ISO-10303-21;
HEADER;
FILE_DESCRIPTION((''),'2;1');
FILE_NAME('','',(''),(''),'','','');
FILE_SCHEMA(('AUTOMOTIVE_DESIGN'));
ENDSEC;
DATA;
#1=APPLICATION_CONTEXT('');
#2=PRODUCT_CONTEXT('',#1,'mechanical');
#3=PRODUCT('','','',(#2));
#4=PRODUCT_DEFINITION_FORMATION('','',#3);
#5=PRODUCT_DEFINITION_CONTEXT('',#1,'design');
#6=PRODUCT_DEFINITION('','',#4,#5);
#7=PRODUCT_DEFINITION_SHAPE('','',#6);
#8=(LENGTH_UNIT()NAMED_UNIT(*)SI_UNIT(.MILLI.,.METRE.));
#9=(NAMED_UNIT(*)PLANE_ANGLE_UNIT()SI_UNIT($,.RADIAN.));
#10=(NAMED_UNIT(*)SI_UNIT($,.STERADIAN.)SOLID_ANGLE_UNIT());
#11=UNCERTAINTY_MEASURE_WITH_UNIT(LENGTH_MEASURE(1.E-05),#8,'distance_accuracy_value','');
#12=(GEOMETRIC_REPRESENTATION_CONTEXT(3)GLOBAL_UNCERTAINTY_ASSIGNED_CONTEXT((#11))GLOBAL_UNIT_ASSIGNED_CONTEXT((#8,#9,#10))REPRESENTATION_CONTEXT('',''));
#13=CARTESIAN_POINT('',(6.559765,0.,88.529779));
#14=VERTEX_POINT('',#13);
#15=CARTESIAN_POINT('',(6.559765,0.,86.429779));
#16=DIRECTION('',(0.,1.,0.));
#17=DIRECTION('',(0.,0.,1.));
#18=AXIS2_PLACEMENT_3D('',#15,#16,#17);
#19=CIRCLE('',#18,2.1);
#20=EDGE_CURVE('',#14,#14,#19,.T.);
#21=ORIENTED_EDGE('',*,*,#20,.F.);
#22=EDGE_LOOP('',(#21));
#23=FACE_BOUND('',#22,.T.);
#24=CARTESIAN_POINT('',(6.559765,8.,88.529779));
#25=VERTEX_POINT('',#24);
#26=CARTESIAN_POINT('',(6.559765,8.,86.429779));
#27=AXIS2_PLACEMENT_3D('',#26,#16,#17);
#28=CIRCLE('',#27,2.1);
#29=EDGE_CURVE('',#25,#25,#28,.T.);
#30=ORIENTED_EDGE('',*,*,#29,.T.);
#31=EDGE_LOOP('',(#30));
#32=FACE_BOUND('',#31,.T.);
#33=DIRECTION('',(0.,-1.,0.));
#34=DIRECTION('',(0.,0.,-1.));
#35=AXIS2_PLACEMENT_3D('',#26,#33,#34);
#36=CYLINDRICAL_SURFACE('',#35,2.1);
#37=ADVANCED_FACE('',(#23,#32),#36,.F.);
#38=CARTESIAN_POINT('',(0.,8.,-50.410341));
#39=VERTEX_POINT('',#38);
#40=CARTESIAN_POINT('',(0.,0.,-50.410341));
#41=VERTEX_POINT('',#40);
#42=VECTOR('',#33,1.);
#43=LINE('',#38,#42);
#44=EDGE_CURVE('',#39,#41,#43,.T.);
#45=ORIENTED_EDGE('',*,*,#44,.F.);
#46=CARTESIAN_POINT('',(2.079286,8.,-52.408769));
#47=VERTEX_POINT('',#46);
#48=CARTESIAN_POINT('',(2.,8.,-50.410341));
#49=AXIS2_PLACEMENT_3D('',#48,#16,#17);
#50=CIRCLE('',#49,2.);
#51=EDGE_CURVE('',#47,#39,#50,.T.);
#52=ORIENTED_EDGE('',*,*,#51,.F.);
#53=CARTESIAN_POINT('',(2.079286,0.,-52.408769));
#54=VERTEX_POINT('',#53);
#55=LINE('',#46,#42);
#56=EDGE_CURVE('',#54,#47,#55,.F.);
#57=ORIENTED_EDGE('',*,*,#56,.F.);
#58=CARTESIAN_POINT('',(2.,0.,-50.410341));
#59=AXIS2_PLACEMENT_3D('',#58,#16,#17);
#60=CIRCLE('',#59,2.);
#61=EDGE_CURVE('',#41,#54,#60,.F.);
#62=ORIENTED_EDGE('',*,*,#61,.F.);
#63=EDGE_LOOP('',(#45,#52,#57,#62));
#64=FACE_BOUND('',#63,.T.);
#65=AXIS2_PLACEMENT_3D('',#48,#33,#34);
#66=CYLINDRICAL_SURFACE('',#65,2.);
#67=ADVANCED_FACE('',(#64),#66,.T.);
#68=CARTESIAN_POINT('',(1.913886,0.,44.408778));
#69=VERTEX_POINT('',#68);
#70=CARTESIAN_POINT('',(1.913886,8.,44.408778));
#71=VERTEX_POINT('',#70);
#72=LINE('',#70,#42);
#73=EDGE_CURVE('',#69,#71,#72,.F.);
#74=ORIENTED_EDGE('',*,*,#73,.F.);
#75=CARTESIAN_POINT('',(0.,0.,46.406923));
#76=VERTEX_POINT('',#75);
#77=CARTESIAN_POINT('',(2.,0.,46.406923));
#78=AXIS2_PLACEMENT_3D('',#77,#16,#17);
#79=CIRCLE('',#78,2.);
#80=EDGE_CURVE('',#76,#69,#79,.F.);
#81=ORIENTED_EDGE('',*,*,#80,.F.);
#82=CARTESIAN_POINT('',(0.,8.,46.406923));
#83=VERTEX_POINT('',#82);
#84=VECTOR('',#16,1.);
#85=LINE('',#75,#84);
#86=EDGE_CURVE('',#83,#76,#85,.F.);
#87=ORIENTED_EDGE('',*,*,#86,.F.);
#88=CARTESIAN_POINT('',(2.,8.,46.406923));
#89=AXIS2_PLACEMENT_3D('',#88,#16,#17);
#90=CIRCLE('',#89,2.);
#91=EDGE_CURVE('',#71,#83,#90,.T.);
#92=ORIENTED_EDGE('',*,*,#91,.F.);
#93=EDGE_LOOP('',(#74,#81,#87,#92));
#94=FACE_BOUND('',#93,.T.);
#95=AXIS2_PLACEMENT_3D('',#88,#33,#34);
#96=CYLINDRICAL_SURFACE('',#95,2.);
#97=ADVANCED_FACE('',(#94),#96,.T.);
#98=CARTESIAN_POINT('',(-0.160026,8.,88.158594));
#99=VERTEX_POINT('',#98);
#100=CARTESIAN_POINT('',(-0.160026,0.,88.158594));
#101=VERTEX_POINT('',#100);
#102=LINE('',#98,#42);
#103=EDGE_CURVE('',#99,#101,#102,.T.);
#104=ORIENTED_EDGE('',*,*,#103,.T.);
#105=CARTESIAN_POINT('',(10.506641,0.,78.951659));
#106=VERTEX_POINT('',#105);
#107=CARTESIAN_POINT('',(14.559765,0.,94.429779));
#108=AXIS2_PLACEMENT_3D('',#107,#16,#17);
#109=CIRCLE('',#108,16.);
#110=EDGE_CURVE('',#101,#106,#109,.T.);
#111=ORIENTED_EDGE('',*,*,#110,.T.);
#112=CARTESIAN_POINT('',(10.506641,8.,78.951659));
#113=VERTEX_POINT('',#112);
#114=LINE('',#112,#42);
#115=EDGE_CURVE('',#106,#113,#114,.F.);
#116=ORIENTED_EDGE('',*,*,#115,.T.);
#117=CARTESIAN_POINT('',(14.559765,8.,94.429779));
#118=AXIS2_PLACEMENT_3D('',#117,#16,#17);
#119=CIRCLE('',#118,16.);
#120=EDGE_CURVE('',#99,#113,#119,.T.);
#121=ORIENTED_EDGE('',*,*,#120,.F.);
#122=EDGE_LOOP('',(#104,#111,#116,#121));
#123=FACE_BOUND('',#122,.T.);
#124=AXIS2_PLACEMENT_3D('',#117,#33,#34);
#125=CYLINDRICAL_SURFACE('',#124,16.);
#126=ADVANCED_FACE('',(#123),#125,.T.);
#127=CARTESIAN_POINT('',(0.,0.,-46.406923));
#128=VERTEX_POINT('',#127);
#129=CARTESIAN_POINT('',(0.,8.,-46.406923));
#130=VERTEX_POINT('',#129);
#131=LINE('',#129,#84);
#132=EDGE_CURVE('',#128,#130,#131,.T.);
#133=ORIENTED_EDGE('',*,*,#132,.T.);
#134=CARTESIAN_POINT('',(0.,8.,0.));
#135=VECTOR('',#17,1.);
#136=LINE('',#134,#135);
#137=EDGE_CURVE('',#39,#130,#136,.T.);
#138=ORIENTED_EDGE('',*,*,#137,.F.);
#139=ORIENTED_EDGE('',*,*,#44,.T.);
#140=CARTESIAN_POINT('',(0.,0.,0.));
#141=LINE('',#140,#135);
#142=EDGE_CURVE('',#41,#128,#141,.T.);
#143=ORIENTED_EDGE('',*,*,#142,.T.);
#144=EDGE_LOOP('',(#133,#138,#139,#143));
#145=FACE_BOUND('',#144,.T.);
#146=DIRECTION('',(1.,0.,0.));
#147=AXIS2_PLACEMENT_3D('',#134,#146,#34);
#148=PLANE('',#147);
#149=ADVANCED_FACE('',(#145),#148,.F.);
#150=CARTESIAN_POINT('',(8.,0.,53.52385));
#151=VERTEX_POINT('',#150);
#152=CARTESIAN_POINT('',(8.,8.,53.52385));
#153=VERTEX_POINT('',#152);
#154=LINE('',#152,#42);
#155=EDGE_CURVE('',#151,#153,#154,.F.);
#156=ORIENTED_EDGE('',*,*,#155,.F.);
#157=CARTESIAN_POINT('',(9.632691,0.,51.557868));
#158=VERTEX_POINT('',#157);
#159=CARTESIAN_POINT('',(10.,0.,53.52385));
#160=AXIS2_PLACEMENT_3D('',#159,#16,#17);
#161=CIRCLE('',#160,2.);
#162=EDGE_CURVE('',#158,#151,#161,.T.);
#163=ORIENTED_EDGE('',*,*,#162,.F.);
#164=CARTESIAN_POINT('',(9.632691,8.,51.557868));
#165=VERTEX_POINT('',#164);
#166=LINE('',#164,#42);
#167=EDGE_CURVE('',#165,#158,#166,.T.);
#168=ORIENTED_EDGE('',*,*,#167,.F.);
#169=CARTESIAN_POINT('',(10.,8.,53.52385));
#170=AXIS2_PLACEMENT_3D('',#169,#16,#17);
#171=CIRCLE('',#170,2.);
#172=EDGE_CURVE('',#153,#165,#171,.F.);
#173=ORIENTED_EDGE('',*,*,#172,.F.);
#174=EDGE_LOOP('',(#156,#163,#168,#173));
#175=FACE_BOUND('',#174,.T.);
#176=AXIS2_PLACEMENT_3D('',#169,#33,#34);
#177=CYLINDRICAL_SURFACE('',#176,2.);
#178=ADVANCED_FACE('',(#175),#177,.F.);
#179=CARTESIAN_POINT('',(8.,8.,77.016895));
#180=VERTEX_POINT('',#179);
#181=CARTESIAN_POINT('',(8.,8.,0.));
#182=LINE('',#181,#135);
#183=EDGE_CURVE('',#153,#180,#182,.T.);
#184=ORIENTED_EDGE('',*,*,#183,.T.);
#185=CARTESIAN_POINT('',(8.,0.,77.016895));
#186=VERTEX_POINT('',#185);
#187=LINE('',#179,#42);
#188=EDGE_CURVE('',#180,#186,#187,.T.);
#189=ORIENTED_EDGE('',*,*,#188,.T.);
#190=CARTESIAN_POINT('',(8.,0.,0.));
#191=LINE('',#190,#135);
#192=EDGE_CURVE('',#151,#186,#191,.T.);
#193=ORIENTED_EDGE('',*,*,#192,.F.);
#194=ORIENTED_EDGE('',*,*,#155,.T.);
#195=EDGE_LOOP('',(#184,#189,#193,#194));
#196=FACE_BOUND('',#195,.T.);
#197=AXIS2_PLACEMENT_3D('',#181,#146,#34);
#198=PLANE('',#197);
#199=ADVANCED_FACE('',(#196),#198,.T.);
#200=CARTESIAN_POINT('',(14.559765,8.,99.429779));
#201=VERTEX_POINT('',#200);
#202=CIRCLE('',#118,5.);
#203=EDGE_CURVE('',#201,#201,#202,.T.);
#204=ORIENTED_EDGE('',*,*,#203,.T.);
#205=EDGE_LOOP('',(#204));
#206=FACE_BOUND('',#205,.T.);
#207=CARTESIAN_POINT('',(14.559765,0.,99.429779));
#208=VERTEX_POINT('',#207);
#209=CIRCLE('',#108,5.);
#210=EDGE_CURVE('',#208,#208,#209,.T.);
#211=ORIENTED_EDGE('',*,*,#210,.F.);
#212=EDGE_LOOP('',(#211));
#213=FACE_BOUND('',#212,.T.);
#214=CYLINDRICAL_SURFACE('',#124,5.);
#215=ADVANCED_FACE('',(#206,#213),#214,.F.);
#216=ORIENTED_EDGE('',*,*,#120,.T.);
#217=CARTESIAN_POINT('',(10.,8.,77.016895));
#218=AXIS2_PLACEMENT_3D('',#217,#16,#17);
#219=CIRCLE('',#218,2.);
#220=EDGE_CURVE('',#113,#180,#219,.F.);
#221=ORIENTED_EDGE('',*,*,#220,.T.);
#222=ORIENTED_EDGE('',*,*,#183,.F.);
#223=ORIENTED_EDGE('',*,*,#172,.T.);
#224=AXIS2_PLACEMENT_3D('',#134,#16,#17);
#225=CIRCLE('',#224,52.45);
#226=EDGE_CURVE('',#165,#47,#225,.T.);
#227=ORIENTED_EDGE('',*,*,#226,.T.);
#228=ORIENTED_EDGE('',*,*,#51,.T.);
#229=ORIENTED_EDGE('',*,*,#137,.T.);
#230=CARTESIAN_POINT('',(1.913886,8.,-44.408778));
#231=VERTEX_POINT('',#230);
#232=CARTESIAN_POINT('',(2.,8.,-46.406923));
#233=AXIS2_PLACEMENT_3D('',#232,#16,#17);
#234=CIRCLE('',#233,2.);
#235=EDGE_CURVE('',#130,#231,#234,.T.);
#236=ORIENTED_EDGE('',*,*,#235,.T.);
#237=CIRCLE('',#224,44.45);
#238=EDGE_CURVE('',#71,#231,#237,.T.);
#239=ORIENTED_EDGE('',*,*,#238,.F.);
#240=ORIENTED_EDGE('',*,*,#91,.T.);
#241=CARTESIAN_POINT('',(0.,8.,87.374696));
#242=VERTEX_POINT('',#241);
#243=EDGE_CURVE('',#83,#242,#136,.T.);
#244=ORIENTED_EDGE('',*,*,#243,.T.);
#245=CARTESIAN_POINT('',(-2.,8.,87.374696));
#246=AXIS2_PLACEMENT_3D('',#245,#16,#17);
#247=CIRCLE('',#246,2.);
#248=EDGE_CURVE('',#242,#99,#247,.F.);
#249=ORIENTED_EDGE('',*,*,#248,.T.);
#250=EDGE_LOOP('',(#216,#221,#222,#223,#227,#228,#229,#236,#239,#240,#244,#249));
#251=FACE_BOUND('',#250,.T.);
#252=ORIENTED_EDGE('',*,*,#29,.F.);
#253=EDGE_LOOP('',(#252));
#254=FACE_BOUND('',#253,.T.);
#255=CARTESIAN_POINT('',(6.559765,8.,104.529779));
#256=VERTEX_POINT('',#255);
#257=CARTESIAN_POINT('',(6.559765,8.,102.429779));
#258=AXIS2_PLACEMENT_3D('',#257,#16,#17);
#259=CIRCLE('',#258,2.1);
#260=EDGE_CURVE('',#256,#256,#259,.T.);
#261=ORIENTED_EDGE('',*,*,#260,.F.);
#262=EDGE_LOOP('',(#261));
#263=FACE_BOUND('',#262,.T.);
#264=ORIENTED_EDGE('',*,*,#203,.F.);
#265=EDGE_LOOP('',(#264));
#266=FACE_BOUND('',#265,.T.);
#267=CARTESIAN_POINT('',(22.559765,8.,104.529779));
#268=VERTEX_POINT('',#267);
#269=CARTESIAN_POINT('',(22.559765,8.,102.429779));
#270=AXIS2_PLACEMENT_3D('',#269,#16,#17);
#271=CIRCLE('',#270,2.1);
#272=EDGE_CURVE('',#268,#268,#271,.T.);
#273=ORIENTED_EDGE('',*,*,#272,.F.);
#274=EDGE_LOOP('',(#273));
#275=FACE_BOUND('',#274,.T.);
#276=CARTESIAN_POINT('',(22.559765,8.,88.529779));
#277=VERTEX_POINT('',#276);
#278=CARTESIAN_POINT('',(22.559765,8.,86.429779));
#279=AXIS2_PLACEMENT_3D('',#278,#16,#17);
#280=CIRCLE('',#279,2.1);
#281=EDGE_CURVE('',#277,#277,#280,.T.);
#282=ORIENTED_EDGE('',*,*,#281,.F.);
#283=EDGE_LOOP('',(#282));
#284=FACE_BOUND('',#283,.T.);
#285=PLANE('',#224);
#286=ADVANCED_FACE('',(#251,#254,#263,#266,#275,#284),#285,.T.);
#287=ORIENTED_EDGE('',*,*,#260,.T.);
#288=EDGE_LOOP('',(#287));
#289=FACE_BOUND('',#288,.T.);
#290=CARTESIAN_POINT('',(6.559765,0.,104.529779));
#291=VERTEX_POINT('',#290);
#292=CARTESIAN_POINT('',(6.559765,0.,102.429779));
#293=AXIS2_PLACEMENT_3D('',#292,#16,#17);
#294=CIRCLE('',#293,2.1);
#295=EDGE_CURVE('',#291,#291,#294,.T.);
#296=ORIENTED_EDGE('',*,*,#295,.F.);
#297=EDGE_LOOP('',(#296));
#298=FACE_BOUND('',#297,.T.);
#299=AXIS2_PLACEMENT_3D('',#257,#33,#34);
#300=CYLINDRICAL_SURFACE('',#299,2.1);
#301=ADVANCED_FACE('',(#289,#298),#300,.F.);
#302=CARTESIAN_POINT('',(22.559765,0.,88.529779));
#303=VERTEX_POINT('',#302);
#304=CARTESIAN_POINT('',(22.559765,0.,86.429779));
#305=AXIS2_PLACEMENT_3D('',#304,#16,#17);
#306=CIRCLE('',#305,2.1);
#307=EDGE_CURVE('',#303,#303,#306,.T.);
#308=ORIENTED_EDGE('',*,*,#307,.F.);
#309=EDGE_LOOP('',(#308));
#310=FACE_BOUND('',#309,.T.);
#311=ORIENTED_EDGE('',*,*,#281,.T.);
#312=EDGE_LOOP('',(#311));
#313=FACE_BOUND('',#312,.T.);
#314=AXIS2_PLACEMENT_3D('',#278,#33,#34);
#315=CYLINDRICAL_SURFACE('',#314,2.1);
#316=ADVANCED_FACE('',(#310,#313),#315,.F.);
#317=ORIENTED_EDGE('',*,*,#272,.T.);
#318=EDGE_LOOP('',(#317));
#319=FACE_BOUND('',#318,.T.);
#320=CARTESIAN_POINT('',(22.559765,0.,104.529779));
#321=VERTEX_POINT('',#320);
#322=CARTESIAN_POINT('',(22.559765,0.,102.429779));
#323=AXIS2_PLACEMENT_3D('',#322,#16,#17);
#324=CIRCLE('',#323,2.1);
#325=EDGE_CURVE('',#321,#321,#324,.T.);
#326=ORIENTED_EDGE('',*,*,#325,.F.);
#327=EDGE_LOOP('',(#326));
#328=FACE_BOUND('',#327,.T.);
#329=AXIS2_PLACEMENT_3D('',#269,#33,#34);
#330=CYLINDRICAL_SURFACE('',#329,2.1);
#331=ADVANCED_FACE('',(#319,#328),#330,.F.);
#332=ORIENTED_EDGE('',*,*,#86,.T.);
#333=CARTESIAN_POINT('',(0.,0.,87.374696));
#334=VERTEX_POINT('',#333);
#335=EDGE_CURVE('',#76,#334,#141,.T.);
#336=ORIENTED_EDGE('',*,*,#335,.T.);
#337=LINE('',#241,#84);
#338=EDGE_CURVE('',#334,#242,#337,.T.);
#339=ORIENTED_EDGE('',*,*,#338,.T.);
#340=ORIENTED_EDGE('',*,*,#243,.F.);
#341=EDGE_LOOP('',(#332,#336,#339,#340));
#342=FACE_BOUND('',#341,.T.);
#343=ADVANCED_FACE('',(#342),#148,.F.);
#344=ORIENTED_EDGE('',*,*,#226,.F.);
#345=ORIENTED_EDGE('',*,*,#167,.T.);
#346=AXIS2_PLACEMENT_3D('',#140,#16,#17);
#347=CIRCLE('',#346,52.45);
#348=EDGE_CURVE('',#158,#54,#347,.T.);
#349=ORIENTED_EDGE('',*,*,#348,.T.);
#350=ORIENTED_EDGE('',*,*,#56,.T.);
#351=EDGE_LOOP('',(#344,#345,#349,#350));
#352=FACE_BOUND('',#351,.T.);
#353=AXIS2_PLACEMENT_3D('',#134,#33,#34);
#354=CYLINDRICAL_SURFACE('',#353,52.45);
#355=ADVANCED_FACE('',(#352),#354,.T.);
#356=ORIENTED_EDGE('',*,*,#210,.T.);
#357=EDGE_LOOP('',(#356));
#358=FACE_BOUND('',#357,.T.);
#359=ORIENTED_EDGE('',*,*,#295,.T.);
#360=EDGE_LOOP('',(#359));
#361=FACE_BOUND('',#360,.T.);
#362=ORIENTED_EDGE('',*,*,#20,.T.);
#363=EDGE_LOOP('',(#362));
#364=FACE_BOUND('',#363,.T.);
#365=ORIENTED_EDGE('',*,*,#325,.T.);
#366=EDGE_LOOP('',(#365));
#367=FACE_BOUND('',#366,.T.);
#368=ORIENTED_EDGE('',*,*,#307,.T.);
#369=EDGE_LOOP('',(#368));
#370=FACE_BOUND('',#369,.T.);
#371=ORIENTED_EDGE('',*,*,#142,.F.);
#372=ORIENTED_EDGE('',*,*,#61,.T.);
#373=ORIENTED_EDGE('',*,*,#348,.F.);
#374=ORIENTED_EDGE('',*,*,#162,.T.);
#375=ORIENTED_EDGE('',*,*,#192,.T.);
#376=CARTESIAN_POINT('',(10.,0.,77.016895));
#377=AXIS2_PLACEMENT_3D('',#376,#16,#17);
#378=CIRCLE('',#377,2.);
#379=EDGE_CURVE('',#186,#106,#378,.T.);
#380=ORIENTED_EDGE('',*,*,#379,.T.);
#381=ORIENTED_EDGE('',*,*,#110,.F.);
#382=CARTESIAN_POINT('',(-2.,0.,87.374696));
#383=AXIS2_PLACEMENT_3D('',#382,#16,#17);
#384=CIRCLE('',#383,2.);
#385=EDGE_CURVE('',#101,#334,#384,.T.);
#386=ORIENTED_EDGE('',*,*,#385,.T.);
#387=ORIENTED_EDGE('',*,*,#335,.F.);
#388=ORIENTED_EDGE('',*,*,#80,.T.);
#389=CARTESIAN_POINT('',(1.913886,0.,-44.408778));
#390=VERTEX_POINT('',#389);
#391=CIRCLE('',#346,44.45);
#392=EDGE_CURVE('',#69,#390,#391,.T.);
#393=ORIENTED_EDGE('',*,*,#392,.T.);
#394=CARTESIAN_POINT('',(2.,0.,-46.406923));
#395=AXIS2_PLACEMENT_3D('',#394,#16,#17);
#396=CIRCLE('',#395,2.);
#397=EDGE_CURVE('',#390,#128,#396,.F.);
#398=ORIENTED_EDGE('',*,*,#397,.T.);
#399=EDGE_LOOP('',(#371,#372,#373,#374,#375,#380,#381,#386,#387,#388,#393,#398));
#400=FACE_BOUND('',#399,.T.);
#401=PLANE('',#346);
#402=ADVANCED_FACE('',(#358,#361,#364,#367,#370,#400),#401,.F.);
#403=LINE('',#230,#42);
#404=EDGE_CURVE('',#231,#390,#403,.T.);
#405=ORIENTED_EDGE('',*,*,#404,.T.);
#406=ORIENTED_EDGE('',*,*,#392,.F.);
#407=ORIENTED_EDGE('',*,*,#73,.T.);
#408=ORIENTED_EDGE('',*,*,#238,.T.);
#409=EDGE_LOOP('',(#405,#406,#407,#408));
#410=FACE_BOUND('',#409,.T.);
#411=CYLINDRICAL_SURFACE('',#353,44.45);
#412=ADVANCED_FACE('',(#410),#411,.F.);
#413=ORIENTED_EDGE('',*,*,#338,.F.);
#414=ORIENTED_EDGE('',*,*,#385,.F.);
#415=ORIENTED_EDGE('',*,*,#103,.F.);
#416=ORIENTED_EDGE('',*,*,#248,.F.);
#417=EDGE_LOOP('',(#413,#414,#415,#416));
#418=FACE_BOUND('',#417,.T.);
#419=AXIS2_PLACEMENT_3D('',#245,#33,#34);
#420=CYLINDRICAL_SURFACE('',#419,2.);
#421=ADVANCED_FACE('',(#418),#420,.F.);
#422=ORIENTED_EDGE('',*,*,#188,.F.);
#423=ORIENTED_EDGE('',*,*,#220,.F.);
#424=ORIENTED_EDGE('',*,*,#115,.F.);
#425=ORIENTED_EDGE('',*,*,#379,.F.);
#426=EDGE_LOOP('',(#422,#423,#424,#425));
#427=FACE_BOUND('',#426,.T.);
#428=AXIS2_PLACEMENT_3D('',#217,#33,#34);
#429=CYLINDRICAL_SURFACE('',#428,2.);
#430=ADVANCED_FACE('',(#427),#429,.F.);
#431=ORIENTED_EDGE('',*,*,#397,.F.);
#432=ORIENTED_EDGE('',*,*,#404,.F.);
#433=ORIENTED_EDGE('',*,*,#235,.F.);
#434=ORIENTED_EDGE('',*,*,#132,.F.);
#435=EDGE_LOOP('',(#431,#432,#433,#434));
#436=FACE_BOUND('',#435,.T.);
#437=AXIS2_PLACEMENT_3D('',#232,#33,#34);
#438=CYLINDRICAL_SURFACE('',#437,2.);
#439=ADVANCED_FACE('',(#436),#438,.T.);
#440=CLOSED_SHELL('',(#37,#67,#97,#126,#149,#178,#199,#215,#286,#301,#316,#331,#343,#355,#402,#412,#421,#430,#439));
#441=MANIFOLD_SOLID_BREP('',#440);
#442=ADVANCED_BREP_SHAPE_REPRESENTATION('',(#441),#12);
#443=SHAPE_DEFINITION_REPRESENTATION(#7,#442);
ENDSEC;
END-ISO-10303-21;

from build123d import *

# Parameters (mm, degrees)
SKETCH1_R           = 2.1
SKETCH1_R_2         = 5
BOSS_EXTRUDE2_DEPTH = 8
FILLET1_R           = 2


with BuildPart() as part:
    # Sketch1 → Boss-Extrude2 (new body)
    with BuildSketch(Plane(origin=(0, 0, 0), x_dir=(1, 0, 0), z_dir=(0, 1, 0))):
        with BuildLine():
            Line((0, 52.45), (0, 44.45))
            ThreePointArc((0, 44.45), (44.45, 0), (0, -44.45))
            Line((0, -44.45), (0, -87.795530451))
            ThreePointArc((0, -87.795530451), (25.844530788, -105.772355994), (8, -79.836304845))
            Line((8, -79.836304845), (8, -51.836304845))
            ThreePointArc((8, -51.836304845), (52.296351159, 4.011752165), (0, 52.45))
        make_face()
        with Locations(Location((22.559764633, -86.429779002, 0), (0, 0, 270))):
            Circle(SKETCH1_R, mode=Mode.SUBTRACT)
        with Locations(Location((22.559764633, -102.429779002, 0), (0, 0, 270))):
            Circle(SKETCH1_R, mode=Mode.SUBTRACT)
        with Locations(Location((6.559764633, -102.429779002, 0), (0, 0, 270))):
            Circle(SKETCH1_R, mode=Mode.SUBTRACT)
        with Locations(Location((6.559764633, -86.429779002, 0), (0, 0, 270))):
            Circle(SKETCH1_R, mode=Mode.SUBTRACT)
        with Locations(Location((14.559764633, -94.429779002, 0), (0, 0, 270))):
            Circle(SKETCH1_R_2, mode=Mode.SUBTRACT)
    extrude(amount=BOSS_EXTRUDE2_DEPTH)

    # Fillet1
    fillet1_edges = [part.edges().sort_by_distance(p)[0] for p in [
        (0, 4, 44.45),
        (0, 4, -44.45),
        (0, 4, -52.45),
        (8, 4, 51.836304845),
        (8, 4, 79.836304845),
        (0, 4, 87.795530451),
    ]]
    fillet(fillet1_edges, radius=FILLET1_R)


solid = part.part
